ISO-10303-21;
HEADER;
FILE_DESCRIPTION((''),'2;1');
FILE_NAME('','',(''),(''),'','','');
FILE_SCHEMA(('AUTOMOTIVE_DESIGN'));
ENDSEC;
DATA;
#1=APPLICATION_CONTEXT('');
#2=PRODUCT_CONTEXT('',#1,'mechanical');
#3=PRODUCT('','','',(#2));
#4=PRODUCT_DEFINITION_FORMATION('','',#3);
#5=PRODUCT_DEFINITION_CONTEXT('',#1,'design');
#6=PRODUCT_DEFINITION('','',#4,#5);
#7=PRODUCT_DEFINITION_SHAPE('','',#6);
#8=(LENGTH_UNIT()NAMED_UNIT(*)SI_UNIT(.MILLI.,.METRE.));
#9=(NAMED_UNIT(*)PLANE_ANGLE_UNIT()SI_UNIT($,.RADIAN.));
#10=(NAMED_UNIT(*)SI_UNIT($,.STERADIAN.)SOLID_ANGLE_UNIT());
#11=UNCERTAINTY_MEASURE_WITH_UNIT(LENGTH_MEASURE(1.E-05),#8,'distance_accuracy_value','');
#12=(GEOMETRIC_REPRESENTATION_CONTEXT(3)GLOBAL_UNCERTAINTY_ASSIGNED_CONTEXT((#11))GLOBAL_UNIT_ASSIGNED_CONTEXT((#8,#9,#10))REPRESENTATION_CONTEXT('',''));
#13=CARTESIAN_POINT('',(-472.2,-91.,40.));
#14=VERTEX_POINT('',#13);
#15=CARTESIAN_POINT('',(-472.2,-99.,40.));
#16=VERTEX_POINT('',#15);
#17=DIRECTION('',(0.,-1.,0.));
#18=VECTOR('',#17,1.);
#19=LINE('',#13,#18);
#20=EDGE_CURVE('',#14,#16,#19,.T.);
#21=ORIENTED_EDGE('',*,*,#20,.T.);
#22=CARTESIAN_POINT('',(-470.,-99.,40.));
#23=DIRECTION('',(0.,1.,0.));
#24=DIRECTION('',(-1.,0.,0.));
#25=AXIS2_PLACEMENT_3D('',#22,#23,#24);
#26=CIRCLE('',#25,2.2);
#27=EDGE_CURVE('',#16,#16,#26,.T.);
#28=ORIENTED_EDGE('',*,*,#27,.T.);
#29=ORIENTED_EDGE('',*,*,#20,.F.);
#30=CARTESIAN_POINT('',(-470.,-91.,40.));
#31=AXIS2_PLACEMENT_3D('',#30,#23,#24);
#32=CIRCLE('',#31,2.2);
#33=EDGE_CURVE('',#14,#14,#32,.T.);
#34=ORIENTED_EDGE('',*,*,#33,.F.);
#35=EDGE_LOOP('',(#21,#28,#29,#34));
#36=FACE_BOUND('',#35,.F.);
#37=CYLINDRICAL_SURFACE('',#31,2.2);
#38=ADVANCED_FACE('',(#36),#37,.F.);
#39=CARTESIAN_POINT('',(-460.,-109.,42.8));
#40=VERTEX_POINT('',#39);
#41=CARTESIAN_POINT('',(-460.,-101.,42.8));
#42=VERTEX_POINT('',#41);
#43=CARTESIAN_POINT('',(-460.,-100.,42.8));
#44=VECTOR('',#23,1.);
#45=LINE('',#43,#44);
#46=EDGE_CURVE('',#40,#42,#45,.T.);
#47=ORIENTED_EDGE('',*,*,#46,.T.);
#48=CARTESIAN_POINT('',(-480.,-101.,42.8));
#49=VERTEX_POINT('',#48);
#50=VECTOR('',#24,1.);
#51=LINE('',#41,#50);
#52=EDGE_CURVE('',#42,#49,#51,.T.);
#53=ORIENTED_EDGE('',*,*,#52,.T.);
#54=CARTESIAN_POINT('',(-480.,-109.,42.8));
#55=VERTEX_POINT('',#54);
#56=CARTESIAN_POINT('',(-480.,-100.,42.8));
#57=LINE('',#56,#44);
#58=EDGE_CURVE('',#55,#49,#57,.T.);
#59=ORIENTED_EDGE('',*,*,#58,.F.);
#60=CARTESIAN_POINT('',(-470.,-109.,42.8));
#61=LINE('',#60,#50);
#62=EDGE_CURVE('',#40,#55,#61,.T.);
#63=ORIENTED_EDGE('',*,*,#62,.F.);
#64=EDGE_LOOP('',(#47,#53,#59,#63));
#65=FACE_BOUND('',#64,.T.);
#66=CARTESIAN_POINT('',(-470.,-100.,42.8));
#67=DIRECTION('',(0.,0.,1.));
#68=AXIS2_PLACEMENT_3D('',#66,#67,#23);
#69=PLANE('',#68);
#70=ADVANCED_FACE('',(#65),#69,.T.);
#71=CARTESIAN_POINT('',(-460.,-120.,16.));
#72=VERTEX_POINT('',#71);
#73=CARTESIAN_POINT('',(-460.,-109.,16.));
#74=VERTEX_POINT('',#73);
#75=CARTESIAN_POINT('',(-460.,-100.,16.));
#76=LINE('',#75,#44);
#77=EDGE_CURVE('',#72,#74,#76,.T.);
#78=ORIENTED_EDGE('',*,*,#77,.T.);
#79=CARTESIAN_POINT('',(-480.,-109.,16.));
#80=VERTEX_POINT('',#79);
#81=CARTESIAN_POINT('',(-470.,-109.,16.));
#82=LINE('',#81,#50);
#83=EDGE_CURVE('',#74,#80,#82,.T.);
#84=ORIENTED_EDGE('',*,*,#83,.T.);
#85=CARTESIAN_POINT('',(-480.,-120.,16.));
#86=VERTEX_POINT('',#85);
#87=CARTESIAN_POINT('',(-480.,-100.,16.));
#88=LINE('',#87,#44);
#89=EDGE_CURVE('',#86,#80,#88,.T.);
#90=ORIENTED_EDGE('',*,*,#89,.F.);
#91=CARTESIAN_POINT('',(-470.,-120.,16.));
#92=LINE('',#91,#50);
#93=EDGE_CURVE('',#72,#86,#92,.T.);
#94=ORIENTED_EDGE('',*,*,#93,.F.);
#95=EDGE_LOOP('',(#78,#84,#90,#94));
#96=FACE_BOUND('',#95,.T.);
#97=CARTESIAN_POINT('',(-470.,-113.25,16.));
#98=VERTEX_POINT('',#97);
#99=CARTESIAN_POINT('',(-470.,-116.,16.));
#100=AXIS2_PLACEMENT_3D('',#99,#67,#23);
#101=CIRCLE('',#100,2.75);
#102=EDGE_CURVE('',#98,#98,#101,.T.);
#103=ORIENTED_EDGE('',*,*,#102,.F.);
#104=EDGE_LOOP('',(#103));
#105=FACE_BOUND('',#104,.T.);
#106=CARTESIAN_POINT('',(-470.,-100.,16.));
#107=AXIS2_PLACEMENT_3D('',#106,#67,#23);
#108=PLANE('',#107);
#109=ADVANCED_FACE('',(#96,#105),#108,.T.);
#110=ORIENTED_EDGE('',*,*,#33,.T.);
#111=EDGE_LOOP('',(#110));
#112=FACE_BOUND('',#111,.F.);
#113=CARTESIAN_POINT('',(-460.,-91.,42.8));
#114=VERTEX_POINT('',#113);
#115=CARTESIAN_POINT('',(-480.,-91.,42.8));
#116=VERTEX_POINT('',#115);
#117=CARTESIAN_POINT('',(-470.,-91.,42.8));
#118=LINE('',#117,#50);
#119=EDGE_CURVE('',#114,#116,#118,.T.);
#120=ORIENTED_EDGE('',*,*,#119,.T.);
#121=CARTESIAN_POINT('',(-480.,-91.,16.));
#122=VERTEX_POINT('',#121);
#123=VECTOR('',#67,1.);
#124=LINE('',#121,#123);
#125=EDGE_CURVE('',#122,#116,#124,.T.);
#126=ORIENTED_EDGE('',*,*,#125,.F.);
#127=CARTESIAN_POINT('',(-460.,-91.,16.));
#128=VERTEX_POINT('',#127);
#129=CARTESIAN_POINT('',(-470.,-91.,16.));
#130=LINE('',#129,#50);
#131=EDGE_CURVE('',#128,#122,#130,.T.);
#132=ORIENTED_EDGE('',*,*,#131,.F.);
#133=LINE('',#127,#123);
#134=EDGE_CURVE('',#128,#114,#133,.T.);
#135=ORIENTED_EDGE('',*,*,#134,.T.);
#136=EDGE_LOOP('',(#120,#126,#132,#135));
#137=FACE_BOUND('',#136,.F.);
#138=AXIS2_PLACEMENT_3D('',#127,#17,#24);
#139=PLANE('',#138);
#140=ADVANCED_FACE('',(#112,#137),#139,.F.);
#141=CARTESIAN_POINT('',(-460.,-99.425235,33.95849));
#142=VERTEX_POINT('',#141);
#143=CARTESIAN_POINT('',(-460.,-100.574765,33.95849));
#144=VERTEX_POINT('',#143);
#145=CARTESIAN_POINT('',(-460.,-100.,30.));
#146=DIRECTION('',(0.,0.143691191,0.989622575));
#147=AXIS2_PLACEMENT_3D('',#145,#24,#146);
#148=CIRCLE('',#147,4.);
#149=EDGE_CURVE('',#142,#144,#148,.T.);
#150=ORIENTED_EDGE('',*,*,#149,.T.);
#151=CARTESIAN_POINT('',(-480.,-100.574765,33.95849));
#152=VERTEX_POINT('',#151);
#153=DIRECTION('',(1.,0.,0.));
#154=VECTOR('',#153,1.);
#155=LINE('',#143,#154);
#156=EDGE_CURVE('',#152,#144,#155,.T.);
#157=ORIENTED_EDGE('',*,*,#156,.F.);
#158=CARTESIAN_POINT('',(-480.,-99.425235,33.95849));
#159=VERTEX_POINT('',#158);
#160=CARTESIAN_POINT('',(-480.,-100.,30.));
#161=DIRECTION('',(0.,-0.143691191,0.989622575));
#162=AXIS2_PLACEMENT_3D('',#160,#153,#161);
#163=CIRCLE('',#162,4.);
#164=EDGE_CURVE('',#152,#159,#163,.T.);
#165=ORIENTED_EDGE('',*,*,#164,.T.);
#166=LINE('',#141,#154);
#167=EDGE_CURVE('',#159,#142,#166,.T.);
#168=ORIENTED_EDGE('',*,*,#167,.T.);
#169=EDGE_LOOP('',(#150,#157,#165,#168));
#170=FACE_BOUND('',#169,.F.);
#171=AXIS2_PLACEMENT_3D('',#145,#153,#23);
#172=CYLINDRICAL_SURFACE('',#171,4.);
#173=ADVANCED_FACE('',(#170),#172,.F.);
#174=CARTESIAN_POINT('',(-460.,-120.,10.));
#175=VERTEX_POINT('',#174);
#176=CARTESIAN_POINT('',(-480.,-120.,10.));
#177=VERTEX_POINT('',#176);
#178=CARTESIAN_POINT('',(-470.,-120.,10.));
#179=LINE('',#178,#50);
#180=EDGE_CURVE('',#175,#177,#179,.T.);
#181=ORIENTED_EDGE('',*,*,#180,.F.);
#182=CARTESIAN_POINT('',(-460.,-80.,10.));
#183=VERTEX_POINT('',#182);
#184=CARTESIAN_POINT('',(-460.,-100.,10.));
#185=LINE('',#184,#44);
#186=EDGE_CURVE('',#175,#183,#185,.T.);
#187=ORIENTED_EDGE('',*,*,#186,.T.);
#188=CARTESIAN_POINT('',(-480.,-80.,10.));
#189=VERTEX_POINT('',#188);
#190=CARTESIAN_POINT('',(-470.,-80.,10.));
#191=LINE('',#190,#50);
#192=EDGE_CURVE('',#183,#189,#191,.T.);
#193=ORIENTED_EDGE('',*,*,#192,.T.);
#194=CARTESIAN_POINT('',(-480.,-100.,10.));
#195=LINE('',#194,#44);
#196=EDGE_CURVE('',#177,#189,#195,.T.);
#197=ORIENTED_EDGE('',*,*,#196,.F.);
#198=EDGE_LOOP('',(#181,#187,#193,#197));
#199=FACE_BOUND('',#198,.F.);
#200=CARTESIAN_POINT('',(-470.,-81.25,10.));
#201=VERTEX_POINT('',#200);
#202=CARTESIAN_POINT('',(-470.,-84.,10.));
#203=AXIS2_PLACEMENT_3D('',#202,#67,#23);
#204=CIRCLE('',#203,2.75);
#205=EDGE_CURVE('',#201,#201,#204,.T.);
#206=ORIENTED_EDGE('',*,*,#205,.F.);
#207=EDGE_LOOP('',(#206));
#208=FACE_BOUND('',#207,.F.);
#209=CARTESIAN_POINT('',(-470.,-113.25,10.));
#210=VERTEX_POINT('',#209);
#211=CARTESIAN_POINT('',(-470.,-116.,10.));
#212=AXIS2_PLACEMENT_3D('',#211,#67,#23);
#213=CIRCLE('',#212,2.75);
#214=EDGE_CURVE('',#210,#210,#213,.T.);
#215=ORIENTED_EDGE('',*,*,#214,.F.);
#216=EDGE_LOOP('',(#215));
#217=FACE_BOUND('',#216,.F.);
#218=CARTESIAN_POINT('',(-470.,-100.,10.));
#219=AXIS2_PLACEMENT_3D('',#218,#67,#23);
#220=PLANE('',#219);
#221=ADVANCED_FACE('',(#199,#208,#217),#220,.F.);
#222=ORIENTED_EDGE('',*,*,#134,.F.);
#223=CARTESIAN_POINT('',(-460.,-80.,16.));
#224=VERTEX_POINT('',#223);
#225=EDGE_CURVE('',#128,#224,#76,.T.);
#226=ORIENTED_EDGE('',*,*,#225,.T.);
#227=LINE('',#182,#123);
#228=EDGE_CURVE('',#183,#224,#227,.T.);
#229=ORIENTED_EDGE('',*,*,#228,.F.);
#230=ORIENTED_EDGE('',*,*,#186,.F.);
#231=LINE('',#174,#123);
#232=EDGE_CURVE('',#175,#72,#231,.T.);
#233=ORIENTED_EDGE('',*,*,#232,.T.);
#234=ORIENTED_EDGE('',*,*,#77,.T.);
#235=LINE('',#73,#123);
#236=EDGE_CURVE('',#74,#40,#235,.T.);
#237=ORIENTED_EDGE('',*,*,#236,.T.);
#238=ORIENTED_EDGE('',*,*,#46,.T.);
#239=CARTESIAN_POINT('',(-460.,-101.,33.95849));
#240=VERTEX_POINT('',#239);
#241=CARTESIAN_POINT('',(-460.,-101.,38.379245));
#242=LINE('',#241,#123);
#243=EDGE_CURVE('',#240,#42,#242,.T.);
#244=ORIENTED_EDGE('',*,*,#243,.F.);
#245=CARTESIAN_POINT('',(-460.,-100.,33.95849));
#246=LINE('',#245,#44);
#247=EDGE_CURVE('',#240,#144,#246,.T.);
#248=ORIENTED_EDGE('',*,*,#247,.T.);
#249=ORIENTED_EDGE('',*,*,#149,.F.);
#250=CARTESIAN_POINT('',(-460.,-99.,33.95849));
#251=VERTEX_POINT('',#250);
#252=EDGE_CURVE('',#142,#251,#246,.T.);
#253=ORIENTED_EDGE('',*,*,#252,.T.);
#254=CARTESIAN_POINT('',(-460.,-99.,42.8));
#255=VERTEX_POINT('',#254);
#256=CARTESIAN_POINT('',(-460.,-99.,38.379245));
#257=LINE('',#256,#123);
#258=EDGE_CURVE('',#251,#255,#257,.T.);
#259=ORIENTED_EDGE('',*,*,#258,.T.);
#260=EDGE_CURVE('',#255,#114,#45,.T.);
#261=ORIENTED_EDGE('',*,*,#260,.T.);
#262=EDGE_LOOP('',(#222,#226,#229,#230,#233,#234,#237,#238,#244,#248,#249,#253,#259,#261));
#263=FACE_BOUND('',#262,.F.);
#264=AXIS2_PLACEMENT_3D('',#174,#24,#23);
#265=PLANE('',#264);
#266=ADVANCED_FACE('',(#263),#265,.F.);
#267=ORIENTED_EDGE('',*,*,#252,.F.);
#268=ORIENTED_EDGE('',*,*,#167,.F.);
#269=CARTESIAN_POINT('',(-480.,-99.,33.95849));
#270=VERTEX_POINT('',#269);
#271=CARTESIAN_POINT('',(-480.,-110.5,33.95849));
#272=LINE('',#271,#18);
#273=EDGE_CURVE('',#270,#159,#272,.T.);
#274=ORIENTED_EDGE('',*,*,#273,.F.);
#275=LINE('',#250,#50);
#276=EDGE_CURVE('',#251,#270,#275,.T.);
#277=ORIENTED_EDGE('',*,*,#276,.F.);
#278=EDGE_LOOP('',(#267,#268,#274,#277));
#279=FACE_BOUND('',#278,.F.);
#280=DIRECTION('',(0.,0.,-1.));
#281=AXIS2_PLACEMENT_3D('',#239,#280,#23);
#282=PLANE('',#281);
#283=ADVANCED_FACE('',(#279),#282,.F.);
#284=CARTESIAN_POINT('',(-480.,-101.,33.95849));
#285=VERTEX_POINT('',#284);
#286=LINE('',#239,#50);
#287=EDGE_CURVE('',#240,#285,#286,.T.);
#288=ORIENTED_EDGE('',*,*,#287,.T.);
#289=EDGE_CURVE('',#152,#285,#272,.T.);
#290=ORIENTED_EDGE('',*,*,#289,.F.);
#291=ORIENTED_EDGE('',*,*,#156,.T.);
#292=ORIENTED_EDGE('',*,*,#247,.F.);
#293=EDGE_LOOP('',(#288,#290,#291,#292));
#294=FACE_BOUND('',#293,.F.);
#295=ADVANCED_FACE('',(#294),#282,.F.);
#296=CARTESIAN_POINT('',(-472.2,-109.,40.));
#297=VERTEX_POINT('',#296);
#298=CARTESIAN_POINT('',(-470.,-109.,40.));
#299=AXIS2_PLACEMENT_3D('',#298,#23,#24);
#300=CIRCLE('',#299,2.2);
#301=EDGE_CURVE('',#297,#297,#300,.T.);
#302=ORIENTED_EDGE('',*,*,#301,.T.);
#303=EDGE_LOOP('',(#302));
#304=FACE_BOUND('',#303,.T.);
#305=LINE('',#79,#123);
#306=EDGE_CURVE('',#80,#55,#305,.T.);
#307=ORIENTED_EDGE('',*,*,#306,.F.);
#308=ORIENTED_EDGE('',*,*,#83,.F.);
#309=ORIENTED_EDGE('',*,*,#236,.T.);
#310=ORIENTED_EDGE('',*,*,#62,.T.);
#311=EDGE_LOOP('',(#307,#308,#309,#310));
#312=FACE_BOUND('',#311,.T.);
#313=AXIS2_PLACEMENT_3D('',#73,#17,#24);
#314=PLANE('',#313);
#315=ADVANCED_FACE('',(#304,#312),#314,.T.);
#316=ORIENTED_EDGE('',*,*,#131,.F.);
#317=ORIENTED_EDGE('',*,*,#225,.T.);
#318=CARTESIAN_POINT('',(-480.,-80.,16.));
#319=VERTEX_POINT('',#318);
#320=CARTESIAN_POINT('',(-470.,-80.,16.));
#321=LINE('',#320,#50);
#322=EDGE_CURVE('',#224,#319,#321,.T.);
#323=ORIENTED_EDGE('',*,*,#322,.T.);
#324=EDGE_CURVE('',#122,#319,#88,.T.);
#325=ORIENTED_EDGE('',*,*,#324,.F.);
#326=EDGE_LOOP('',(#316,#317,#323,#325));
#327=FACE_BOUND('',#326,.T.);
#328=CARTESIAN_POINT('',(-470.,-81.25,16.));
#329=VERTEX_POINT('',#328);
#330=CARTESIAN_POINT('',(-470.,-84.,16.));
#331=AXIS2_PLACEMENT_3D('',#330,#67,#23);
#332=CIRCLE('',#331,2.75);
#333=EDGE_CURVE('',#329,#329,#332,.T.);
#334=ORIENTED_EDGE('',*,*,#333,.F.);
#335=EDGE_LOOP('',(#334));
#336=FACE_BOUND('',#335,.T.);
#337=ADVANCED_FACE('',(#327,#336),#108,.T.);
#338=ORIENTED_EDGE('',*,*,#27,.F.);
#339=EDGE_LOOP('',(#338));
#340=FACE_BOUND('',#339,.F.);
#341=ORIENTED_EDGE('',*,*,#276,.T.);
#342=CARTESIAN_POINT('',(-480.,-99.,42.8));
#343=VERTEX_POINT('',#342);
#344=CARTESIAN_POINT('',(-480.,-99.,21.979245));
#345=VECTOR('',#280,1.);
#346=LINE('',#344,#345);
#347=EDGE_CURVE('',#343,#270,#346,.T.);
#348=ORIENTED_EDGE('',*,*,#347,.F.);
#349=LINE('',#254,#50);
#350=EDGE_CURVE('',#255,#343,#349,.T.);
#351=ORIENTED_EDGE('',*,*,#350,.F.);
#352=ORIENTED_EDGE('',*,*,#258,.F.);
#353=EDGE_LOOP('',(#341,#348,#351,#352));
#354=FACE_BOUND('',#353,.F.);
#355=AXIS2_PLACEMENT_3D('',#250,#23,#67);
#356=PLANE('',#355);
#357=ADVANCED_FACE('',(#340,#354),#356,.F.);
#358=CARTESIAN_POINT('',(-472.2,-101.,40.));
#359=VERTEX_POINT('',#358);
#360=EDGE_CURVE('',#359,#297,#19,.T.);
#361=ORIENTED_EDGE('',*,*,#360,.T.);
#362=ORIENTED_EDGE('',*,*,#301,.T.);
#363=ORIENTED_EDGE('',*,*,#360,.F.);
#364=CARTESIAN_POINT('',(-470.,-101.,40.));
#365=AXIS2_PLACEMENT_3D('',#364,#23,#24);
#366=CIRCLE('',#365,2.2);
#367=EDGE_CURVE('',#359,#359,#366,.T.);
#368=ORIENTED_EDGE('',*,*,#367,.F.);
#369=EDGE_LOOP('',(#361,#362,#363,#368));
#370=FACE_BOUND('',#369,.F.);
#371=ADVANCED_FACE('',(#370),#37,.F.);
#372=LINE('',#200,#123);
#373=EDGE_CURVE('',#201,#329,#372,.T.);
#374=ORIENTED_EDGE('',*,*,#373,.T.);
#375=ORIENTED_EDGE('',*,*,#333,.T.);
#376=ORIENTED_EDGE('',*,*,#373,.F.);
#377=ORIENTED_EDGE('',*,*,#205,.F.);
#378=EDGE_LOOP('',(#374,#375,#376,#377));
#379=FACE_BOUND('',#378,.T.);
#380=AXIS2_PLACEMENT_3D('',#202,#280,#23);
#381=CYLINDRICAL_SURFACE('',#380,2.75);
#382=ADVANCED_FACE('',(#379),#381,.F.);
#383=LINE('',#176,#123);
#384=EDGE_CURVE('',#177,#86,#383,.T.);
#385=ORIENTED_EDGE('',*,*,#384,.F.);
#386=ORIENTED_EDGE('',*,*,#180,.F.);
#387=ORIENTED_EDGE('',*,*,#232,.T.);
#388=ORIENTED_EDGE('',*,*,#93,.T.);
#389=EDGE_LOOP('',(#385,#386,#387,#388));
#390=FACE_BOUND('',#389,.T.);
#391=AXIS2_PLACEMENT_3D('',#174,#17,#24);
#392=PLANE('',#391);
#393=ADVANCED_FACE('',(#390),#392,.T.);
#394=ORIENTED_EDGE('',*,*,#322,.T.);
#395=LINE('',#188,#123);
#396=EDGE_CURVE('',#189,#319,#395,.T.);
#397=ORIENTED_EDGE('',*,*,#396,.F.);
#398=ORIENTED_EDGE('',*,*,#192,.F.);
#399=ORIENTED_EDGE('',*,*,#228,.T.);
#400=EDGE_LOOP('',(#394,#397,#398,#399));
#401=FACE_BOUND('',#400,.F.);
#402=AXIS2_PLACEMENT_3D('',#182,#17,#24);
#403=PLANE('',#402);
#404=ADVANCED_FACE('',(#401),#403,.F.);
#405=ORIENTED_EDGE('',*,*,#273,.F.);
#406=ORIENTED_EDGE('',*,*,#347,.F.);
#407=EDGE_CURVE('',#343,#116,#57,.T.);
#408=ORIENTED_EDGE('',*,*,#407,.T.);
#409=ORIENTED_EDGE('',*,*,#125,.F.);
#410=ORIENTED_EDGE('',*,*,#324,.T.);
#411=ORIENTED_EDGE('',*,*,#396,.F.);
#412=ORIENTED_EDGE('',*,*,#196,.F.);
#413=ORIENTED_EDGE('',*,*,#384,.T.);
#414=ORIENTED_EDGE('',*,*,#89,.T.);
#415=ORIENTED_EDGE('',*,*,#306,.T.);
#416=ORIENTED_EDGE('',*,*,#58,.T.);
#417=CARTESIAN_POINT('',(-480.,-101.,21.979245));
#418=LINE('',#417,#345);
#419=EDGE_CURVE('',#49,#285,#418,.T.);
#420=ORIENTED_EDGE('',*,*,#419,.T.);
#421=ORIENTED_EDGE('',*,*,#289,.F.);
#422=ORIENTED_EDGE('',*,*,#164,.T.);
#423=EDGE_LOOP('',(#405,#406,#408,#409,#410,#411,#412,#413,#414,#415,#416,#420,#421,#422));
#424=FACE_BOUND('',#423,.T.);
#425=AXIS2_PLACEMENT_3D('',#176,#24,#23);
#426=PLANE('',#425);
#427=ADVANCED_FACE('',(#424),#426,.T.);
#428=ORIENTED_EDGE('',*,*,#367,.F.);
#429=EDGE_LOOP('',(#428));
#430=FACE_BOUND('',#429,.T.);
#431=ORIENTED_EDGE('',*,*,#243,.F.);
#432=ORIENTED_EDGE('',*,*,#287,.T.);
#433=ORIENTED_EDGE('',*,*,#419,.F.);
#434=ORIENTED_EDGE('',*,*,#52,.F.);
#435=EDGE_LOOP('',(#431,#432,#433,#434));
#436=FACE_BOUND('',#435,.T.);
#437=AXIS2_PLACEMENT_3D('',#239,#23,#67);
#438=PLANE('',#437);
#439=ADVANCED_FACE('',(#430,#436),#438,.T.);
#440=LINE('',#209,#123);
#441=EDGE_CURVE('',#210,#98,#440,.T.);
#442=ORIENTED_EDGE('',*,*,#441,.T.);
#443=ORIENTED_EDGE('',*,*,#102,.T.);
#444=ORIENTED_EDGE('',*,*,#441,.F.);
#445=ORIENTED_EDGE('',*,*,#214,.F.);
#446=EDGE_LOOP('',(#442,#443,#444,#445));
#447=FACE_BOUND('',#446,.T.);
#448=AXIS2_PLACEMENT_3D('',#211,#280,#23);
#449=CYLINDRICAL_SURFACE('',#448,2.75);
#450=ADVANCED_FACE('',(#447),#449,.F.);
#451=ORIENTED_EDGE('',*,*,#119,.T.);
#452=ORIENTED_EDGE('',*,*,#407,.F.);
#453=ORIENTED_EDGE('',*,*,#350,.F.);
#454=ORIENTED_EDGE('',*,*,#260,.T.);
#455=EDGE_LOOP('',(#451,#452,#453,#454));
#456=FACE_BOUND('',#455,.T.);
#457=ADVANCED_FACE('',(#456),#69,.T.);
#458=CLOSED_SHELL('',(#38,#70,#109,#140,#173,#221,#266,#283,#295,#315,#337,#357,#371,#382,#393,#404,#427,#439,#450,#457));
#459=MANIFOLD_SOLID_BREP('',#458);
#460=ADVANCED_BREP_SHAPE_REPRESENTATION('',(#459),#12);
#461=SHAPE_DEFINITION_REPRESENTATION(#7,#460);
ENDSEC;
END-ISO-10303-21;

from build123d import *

# Parameters (mm, degrees)
SKETCH008_W              = 40
SKETCH008_H              = 20
SKETCH008_R              = 2.75
PAD005_DEPTH             = 6
SKETCH009_W              = 18
SKETCH009_H              = 20
PAD006_DEPTH             = 26.8
SKETCH010_R              = 4
POCKET001_DEPTH          = 20.001
SKETCH011_W              = 2
SKETCH011_H              = 8.8415096984
POCKET002_DEPTH          = 20.001
SKETCH012_R              = 2.2
POCKET003_DEPTH          = 29.001
CLONE011_PLACEMENT_ANGLE = 90


with BuildPart() as part:
    # Sketch008 → Pad005 (new body)
    with BuildSketch(Plane.XY):
        Rectangle(SKETCH008_W, SKETCH008_H)
        with Locations((-16, 0)):
            Circle(SKETCH008_R, mode=Mode.SUBTRACT)
        with Locations((16, 0)):
            Circle(SKETCH008_R, mode=Mode.SUBTRACT)
    extrude(amount=PAD005_DEPTH)

    # Sketch009 (on Face8 of Pad005) → Pad006 (join)
    with BuildSketch(Plane.XY.offset(6)):
        Rectangle(SKETCH009_W, SKETCH009_H)
    extrude(amount=PAD006_DEPTH)

    # Sketch010 (on Face14 of Pad006) → Pocket001 (cut, through all)
    with BuildSketch(Plane.XZ.offset(10)):
        with Locations((0, 20)):
            Circle(SKETCH010_R)
    extrude(amount=-POCKET001_DEPTH, mode=Mode.SUBTRACT)

    # Sketch011 (on Face15 of Pocket001) → Pocket002 (cut, through all)
    with BuildSketch(Plane.XZ.offset(10)):
        with Locations((0, 28.3792451508)):
            Rectangle(SKETCH011_W, SKETCH011_H)
    extrude(amount=-POCKET002_DEPTH, mode=Mode.SUBTRACT)

    # Sketch012 (on Face12 of Pocket002) → Pocket003 (cut, through all)
    with BuildSketch(Plane.YZ.offset(9)):
        with Locations((0, 30)):
            Circle(SKETCH012_R)
    extrude(amount=-POCKET003_DEPTH, mode=Mode.SUBTRACT)


with BuildPart() as part_1:
    # Clone011 placement: moved
    add(part.part.moved(Location((10, -100, 10))).rotate(Axis((10, -100, 10), (0, 0, 1)), CLONE011_PLACEMENT_ANGLE))


with BuildPart() as part_2:
    # Clone021 placement: moved
    add(part_1.part.moved(Location((-480, 0, 0))))


solid = part_2.part
